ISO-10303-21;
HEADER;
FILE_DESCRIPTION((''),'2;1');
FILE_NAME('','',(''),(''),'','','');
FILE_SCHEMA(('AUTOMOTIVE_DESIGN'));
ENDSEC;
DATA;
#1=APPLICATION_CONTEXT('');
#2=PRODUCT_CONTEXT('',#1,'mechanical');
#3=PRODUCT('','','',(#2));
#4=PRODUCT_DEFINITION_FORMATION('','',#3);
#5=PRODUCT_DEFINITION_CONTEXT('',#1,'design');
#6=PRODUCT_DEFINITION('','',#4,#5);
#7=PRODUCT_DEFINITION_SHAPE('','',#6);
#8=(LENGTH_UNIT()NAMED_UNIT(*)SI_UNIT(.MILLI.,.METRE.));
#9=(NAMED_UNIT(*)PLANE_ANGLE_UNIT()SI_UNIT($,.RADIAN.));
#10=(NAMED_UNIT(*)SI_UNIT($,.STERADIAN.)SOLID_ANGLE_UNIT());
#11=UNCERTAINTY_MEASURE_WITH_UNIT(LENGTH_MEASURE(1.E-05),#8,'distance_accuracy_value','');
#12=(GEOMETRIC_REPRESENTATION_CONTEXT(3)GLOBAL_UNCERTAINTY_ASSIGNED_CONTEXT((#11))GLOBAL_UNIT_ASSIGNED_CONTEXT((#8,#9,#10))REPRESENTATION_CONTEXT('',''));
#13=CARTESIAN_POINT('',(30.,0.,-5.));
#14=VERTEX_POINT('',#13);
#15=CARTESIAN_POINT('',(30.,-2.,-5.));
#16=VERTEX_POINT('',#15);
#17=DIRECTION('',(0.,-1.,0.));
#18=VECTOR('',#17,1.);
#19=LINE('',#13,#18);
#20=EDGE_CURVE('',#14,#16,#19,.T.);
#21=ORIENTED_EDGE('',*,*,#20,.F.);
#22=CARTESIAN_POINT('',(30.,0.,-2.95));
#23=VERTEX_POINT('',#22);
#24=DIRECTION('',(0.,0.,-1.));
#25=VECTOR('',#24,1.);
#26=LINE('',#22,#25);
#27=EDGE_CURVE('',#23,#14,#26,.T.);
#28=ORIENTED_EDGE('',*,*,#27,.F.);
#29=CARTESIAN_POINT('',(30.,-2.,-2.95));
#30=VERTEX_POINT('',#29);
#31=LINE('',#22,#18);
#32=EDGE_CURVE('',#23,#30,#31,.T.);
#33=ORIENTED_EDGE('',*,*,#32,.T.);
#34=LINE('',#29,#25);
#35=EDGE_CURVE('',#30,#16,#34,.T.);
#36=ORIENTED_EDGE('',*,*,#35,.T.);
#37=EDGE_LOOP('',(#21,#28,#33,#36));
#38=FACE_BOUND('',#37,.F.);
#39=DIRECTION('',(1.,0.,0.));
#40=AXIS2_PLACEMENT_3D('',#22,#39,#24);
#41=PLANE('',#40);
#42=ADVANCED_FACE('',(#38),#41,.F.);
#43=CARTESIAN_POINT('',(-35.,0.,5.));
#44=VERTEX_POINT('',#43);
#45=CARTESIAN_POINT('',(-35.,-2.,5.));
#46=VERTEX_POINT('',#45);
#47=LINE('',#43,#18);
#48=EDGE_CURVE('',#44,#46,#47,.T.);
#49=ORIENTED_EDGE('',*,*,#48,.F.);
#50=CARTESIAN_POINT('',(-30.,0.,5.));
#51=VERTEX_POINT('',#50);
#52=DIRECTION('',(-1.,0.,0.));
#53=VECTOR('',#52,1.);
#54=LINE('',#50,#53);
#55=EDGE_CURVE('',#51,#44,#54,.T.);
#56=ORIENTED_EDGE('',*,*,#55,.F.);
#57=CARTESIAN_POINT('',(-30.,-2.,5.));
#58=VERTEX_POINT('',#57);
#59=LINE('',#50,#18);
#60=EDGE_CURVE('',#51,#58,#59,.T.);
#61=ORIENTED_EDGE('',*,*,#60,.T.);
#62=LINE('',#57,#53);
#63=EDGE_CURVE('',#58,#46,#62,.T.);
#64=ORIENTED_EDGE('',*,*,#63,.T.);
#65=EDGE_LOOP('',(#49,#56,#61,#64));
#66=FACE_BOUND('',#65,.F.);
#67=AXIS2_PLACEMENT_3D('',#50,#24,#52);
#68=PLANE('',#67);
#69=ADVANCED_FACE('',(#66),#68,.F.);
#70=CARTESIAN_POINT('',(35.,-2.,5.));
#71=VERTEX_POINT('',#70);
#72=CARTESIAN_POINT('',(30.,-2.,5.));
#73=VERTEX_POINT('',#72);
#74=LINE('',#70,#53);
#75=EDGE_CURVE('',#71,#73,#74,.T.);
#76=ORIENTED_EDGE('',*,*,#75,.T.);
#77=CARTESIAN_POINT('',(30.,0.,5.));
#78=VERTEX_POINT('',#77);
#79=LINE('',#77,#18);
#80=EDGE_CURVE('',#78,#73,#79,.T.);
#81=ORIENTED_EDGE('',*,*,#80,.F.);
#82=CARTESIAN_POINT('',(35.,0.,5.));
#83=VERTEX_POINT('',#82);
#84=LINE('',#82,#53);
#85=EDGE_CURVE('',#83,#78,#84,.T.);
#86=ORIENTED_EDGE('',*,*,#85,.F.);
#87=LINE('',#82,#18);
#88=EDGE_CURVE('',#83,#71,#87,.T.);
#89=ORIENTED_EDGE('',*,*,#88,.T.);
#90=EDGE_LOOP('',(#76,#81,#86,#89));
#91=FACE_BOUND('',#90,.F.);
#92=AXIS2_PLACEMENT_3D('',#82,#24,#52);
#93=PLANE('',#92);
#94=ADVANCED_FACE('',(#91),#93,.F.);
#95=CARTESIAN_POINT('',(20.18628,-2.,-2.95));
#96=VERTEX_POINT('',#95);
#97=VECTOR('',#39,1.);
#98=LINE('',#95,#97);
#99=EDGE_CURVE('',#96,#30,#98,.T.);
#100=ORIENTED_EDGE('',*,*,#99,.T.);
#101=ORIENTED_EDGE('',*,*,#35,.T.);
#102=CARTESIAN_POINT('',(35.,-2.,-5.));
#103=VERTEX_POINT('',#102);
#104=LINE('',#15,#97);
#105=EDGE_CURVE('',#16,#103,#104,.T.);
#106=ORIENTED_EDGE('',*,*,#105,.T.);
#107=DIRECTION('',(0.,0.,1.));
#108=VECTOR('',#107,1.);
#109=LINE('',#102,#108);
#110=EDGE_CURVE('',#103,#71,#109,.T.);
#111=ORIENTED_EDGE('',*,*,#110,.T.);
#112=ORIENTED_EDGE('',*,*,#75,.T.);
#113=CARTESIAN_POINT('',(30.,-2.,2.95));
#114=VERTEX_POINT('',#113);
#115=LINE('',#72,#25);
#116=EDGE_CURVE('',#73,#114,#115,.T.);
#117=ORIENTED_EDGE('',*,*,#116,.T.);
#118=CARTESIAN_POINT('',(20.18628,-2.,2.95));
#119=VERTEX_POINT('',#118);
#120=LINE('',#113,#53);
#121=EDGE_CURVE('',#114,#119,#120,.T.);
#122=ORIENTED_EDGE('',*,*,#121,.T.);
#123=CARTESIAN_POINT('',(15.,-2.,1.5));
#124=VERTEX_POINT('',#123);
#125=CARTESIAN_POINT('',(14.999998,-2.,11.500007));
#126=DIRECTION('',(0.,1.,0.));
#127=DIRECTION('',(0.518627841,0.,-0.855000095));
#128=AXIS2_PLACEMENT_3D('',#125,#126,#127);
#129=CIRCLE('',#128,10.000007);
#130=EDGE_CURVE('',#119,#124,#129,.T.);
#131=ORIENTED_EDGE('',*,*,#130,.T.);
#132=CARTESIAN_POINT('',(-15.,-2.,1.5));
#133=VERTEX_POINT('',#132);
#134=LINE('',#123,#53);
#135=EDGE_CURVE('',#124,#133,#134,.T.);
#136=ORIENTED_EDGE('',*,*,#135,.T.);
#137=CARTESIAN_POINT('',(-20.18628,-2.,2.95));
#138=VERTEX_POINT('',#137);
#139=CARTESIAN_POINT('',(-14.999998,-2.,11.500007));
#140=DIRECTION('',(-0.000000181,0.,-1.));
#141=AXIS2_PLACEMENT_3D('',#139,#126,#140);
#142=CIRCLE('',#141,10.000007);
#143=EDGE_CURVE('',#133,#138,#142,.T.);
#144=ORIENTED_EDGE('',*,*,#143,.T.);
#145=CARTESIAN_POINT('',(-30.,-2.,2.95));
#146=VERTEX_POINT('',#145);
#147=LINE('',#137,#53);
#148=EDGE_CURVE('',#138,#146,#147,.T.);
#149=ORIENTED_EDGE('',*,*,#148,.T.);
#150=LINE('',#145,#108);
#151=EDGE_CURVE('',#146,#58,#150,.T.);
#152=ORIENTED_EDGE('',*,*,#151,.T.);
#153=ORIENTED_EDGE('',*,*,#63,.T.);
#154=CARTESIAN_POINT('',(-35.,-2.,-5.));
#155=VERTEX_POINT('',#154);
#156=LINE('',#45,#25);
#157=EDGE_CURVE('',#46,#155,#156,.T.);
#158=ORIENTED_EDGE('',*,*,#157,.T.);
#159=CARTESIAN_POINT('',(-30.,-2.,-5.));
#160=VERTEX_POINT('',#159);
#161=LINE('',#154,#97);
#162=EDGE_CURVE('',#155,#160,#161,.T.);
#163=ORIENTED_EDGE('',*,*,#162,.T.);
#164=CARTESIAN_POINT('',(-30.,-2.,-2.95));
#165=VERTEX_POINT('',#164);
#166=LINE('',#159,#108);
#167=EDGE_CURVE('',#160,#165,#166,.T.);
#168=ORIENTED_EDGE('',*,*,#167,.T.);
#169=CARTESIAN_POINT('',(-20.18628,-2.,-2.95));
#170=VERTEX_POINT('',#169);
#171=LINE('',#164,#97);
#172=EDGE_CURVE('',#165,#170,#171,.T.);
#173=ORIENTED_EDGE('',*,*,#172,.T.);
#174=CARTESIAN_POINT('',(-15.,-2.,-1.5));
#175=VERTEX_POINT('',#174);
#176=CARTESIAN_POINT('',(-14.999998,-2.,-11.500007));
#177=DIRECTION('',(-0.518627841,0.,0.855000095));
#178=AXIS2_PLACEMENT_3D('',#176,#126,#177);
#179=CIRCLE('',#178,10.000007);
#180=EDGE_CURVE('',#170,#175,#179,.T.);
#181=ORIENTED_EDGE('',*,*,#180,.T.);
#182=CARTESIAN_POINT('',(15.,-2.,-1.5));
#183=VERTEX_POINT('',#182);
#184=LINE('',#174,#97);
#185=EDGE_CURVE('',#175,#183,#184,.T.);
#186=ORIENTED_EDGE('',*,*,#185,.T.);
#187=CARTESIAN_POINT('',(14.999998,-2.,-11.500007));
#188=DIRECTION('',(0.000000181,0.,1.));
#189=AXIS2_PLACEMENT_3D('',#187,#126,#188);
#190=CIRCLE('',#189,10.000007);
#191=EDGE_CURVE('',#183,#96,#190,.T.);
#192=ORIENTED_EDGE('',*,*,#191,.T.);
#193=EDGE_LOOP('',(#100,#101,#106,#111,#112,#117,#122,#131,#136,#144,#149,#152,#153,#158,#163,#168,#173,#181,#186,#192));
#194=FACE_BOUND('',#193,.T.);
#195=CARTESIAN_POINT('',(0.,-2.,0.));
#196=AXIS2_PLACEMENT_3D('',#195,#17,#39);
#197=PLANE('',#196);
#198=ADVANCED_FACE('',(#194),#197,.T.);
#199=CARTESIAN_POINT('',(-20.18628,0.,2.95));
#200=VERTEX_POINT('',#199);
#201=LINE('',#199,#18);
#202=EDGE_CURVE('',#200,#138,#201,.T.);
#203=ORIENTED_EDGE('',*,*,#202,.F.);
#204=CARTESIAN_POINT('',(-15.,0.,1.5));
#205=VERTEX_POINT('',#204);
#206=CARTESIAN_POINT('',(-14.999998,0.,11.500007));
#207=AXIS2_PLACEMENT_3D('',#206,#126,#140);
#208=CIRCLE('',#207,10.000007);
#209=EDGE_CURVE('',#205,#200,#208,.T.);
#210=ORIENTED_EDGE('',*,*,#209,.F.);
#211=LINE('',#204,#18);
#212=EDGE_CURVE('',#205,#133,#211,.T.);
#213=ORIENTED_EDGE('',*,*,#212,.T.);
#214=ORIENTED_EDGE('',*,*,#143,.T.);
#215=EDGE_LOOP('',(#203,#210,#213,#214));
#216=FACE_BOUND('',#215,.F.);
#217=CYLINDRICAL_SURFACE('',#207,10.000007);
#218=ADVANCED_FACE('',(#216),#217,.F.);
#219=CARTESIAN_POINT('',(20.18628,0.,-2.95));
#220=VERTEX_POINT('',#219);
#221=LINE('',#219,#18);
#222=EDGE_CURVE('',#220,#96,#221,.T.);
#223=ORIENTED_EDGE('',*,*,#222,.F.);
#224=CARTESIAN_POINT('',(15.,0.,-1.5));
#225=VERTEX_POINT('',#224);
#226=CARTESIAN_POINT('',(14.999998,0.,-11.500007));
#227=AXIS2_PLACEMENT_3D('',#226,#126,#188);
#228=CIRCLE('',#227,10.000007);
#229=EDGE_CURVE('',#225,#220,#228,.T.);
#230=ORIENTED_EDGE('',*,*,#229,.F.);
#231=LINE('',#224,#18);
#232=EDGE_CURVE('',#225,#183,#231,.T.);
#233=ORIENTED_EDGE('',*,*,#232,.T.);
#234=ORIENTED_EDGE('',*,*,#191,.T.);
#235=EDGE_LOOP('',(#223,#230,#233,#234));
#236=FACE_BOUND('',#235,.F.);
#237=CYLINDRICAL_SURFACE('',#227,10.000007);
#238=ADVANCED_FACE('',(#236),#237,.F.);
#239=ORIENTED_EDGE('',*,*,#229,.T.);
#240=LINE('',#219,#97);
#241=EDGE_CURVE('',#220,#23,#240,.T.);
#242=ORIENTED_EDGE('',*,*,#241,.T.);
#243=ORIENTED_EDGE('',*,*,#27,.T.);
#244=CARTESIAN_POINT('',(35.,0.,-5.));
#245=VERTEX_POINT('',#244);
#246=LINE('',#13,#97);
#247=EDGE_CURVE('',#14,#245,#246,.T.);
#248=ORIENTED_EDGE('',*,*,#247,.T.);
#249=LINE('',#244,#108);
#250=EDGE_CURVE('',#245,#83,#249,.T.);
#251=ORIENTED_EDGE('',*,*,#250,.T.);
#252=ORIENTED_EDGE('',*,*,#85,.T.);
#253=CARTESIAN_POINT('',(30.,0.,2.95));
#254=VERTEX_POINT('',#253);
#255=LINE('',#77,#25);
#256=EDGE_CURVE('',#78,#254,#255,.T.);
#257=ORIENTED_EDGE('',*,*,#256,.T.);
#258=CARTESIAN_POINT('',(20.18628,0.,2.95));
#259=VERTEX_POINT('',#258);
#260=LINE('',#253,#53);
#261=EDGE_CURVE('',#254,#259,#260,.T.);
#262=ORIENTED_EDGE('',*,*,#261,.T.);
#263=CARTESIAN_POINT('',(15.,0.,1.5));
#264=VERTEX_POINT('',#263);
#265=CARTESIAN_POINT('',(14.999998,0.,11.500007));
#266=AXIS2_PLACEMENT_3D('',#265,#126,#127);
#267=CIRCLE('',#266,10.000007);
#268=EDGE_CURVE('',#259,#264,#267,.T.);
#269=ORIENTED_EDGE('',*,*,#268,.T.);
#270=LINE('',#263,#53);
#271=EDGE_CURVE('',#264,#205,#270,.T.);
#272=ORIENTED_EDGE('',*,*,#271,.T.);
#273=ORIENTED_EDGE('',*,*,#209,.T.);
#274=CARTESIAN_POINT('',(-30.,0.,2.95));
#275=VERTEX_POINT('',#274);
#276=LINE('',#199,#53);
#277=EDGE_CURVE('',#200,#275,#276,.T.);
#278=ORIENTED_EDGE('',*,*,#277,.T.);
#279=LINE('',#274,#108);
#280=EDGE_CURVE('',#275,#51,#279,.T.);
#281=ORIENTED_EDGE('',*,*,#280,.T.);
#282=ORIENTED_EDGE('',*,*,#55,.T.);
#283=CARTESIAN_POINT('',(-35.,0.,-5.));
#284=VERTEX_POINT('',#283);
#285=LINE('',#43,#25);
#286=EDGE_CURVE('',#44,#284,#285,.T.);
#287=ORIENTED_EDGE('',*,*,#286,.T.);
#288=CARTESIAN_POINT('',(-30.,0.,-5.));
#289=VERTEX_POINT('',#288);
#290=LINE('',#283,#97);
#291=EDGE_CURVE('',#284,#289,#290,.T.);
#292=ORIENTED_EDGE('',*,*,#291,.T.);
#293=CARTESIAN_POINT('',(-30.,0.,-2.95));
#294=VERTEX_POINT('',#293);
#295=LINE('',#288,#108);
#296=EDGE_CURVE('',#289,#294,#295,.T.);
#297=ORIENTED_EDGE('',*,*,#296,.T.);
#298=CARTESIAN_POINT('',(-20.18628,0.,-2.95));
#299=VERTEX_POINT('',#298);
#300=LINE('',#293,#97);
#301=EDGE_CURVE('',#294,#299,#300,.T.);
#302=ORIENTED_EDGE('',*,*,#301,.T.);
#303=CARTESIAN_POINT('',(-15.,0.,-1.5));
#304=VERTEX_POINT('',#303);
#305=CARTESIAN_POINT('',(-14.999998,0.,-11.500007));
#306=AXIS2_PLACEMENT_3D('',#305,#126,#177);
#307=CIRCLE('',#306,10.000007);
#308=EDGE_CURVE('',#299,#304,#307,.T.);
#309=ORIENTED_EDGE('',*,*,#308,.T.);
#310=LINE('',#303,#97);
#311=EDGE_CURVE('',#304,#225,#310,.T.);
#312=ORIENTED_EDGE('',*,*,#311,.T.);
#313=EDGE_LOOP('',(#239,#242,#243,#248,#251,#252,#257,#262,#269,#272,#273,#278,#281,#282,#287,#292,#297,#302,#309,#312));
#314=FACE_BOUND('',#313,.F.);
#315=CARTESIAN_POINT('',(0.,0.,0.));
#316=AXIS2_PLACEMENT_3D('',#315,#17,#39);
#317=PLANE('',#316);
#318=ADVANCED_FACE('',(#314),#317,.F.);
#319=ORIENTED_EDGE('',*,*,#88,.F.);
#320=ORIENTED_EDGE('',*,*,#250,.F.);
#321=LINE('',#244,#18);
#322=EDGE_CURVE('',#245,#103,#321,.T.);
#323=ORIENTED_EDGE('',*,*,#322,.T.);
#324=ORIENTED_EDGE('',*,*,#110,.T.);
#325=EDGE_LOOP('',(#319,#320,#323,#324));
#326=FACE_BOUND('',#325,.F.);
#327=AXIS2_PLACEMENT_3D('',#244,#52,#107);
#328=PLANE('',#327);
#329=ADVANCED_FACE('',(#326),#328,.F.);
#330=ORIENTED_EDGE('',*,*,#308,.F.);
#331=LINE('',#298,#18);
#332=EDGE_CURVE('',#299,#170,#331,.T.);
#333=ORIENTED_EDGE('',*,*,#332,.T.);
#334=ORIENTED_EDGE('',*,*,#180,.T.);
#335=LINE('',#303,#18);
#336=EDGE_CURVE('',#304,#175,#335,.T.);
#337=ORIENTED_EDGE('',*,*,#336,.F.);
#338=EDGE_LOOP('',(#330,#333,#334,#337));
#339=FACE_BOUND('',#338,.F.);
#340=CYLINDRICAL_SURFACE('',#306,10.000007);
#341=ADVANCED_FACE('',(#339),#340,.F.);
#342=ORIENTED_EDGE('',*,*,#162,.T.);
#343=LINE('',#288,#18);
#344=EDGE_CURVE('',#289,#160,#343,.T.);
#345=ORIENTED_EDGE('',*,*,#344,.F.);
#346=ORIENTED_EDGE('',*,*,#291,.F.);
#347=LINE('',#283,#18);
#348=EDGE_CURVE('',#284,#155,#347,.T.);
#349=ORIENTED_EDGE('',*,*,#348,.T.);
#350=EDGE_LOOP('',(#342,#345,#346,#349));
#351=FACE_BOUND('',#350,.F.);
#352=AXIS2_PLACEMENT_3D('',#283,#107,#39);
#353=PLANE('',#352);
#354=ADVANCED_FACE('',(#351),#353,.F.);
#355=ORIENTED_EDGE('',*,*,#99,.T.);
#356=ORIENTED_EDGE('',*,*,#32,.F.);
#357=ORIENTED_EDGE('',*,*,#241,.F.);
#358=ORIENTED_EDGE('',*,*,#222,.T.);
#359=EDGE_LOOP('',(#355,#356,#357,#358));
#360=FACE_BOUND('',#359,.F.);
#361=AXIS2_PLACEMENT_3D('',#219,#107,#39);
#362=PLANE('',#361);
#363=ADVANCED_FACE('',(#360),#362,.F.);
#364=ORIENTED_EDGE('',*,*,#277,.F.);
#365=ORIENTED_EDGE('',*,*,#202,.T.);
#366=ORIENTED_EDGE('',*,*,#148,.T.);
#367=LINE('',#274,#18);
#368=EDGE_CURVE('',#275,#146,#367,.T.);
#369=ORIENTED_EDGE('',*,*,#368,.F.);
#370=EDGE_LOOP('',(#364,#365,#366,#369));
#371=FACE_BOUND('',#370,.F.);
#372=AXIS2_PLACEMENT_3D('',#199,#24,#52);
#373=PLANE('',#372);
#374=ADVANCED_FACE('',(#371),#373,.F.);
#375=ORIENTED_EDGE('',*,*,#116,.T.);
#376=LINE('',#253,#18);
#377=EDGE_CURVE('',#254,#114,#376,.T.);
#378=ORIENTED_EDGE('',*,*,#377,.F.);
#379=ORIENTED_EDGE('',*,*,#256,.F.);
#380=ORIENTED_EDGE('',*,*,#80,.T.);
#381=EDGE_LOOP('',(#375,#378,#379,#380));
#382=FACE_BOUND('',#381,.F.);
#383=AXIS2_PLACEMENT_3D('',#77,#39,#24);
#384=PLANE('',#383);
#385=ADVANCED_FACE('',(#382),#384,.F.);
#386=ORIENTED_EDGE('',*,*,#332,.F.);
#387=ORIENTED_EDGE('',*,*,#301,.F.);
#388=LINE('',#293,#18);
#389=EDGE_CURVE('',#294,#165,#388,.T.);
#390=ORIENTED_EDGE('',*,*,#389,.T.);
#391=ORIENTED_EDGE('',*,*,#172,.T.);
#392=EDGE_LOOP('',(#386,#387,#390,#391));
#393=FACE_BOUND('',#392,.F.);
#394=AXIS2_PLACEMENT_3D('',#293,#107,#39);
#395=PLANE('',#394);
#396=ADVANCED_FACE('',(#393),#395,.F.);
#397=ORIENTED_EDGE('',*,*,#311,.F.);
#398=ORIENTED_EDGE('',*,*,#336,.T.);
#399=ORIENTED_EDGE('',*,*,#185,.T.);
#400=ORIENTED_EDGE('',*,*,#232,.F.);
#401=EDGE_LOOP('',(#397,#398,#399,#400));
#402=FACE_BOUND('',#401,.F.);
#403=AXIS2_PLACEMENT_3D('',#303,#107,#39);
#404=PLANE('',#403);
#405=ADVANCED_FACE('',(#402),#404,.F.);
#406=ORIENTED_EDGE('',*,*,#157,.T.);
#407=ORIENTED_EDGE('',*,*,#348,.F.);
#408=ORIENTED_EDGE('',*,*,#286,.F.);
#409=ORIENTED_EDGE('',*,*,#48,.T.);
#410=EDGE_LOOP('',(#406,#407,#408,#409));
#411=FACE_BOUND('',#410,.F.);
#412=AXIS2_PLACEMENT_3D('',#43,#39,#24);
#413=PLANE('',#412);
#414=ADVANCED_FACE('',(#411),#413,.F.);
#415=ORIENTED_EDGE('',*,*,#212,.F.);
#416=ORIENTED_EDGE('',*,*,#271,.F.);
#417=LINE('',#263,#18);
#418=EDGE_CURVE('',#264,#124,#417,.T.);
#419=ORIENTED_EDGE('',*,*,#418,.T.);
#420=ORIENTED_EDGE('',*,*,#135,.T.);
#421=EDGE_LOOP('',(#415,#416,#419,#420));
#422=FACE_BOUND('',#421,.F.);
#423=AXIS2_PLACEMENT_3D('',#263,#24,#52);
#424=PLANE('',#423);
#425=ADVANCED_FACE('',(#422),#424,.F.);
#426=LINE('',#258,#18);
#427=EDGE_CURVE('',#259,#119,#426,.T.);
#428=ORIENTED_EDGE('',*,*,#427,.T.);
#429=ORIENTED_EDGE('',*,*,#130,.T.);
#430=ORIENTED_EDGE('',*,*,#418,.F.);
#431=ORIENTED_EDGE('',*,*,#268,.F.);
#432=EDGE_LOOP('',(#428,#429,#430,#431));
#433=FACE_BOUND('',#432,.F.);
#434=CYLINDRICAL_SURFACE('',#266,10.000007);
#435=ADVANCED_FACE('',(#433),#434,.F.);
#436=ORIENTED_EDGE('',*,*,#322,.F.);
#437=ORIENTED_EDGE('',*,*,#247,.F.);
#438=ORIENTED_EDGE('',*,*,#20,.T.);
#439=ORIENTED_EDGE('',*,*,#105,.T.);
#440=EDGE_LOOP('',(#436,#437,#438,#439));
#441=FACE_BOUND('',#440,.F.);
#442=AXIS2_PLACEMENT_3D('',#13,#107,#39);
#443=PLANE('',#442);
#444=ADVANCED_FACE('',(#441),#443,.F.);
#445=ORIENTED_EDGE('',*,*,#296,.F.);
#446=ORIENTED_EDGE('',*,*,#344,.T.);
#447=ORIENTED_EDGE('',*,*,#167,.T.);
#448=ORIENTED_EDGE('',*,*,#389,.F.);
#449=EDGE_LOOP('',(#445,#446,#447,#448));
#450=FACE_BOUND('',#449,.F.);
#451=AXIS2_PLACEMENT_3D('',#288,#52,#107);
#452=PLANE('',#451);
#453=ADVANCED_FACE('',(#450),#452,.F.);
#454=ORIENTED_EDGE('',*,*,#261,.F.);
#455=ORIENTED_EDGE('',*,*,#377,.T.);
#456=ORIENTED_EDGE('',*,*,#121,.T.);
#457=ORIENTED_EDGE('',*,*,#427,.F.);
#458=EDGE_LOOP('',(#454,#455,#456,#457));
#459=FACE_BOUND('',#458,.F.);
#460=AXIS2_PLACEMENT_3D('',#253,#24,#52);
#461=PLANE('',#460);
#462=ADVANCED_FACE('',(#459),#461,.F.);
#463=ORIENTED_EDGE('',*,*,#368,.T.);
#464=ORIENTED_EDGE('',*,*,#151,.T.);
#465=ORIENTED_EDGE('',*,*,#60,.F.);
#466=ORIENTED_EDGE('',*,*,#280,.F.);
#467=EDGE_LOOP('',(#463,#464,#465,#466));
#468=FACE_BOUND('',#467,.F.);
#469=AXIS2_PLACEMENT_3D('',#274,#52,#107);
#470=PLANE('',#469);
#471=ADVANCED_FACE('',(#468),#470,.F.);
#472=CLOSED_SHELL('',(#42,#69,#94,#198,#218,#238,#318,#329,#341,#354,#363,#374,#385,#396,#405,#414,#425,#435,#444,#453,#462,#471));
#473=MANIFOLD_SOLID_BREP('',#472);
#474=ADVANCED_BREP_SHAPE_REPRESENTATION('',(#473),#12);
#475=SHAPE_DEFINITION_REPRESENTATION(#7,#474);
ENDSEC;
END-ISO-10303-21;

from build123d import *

# Parameters (mm, degrees)
F1_DEPTH = 2


with BuildPart() as f1:
    # F0 (on Front) → F1 (new body)
    with BuildSketch(Plane.XZ):
        with BuildLine():
            Line((35, -5), (35, 5))
            Line((35, 5), (30, 5))
            Line((30, 5), (30, 2.95))
            Line((30, 2.95), (20.18628, 2.95))
            ThreePointArc((20.18628, 2.95), (17.692582, 1.86932), (15, 1.5))
            Line((15, 1.5), (-15, 1.5))
            ThreePointArc((-15, 1.5), (-17.692582, 1.86932), (-20.18628, 2.95))
            Line((-20.18628, 2.95), (-30, 2.95))
            Line((-30, 2.95), (-30, 5))
            Line((-30, 5), (-35, 5))
            Line((-35, 5), (-35, -5))
            Line((-35, -5), (-30, -5))
            Line((-30, -5), (-30, -2.95))
            Line((-30, -2.95), (-20.18628, -2.95))
            ThreePointArc((-20.18628, -2.95), (-17.692582, -1.86932), (-15, -1.5))
            Line((-15, -1.5), (15, -1.5))
            ThreePointArc((15, -1.5), (17.692582, -1.86932), (20.18628, -2.95))
            Line((20.18628, -2.95), (30, -2.95))
            Line((30, -2.95), (30, -5))
            Line((30, -5), (35, -5))
        make_face()
    extrude(amount=F1_DEPTH)


solid = f1.part
